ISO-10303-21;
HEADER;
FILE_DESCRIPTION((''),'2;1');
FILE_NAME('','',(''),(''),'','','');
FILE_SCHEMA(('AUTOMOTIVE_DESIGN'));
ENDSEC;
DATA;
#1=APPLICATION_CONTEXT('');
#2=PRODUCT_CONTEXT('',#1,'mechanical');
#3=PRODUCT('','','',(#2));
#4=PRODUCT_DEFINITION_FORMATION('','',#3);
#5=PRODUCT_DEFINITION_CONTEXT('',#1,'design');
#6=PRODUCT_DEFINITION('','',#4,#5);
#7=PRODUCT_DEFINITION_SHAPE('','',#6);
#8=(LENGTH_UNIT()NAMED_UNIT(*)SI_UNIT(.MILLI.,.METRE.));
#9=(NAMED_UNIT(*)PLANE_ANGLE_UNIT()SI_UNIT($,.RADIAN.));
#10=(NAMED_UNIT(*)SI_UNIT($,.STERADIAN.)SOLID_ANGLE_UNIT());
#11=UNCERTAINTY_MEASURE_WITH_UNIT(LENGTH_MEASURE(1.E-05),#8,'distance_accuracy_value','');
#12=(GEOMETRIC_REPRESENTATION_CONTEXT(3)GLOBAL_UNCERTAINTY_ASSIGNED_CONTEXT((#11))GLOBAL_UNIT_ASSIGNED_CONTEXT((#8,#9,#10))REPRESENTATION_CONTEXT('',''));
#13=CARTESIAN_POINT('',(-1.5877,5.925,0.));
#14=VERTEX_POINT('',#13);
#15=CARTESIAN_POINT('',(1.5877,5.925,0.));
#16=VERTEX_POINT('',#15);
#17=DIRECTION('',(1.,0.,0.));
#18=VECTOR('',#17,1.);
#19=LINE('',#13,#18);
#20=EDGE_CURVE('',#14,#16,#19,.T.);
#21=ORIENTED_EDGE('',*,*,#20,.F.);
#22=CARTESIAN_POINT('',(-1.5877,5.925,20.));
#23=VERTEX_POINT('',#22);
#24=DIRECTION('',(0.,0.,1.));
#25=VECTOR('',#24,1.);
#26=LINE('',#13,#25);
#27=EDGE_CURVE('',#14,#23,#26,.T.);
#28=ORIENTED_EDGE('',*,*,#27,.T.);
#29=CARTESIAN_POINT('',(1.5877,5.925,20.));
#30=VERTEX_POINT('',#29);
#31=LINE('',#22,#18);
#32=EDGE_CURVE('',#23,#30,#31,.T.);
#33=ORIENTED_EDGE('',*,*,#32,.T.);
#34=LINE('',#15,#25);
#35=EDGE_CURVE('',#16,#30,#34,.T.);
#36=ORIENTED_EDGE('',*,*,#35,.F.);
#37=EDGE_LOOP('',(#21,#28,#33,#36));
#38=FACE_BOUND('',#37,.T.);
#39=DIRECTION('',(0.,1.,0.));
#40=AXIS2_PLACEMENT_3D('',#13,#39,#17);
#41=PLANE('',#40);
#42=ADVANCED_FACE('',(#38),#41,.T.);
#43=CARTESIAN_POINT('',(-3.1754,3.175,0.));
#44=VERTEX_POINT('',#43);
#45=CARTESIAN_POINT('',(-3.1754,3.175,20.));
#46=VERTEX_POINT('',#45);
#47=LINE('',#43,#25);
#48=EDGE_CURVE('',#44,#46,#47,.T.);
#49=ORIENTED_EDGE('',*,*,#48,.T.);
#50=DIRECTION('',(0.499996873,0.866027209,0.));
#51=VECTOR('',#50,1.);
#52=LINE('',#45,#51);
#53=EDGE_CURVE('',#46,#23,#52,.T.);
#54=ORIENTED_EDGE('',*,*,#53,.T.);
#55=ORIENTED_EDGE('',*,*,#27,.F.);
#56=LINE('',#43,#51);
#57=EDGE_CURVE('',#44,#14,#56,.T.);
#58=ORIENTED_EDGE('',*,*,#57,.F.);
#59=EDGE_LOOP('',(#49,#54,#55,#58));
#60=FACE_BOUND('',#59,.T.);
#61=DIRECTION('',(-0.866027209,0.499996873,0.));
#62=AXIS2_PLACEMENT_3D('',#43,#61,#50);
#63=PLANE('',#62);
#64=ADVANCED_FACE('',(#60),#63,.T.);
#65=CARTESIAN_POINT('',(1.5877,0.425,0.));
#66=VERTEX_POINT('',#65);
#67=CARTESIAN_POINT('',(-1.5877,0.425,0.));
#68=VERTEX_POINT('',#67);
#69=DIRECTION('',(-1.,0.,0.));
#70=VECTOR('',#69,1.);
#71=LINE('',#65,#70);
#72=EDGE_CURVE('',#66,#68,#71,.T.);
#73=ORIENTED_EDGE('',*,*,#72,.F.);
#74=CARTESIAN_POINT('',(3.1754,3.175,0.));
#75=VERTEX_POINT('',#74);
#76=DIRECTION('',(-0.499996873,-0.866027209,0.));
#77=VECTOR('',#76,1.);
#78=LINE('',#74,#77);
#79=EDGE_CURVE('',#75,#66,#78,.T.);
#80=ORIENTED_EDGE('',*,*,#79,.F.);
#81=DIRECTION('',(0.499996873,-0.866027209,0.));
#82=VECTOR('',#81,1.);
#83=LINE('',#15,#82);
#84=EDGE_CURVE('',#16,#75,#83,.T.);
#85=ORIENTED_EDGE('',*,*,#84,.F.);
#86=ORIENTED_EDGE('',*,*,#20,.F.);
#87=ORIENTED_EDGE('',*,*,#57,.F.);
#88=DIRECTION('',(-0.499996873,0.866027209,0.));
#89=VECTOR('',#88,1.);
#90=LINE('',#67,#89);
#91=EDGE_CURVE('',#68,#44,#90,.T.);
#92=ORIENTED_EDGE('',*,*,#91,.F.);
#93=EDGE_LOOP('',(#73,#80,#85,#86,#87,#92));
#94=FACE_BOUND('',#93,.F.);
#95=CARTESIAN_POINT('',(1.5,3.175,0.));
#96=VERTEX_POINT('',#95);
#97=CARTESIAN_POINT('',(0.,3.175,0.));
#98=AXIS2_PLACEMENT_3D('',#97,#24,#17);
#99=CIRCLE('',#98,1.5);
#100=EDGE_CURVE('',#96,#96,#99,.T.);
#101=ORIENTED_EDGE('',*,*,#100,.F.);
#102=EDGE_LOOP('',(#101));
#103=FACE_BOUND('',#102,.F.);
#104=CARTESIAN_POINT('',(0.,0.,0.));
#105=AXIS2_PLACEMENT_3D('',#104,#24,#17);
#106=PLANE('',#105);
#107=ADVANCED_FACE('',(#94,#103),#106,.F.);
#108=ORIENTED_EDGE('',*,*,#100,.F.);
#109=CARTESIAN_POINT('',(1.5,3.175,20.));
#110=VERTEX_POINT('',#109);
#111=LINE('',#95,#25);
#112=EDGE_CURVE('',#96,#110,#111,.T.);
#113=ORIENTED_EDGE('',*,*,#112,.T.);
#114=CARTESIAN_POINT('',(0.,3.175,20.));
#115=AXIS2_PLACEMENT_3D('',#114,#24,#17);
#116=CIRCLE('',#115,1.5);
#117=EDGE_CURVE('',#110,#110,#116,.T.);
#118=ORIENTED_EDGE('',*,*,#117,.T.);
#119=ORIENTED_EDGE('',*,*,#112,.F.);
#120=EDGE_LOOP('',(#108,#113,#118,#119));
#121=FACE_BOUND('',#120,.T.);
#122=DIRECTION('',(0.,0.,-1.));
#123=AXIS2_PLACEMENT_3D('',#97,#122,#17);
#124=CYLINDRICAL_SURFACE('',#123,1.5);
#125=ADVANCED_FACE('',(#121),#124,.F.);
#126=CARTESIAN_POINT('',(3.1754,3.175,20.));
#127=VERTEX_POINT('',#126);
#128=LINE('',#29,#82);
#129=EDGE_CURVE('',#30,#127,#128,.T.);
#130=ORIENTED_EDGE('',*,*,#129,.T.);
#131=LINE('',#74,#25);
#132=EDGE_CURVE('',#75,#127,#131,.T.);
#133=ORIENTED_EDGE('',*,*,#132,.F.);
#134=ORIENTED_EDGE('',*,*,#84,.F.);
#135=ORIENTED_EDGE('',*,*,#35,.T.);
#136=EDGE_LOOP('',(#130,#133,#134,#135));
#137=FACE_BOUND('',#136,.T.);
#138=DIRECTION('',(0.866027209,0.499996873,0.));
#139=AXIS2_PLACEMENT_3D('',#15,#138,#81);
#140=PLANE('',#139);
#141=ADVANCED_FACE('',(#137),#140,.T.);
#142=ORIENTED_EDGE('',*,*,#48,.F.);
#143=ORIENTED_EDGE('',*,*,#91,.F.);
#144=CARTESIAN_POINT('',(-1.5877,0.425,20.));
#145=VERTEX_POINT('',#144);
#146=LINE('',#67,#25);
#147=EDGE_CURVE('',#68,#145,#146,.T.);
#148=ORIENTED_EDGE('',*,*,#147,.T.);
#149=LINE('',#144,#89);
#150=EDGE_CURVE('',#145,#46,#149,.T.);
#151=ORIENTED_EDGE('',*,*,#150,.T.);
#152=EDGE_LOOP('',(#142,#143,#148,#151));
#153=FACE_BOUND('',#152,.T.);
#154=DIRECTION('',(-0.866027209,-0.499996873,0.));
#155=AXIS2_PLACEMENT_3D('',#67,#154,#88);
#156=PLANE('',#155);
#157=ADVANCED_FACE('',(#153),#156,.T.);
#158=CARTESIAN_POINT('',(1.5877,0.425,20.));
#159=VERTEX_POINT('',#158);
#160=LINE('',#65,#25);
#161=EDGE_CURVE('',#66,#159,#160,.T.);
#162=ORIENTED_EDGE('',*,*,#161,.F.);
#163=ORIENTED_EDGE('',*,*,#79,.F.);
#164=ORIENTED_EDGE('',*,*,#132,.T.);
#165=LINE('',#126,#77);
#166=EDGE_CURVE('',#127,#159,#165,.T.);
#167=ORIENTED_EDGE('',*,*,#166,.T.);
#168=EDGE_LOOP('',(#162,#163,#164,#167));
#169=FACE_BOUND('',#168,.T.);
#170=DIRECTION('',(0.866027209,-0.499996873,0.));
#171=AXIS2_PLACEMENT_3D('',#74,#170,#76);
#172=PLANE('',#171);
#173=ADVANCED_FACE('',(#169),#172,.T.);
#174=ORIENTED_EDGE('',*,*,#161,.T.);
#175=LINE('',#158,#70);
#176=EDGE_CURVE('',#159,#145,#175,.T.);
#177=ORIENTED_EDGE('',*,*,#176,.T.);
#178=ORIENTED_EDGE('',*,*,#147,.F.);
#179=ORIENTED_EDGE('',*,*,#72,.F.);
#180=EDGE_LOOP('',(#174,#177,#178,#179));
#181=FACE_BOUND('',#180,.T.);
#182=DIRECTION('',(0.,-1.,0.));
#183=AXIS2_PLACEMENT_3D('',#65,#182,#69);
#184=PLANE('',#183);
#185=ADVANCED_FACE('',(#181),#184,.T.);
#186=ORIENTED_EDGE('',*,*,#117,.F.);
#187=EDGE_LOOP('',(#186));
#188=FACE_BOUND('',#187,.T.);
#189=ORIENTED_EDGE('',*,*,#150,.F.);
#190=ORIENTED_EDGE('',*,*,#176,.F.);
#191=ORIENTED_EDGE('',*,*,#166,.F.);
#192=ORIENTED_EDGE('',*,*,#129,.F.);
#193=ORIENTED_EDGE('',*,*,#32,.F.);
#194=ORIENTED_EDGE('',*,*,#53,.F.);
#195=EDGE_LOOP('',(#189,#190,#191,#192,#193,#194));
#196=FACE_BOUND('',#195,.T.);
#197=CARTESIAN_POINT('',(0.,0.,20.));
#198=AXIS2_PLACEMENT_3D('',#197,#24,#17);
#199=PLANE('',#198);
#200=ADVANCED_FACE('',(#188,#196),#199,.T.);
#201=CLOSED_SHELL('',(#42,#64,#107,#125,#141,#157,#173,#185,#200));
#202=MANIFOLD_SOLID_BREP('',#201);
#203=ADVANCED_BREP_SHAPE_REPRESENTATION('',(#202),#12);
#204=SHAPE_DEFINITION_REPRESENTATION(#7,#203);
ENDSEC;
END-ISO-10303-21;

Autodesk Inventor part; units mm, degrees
ref_plane "YZ Plane" through (0, 0, 0) normal (1, 0, 0) x (0, 1, 0)
ref_plane "XZ Plane" through (0, 0, 0) normal (0, 1, 0) x (-1, 0, 0)
ref_plane "XY Plane" through (0, 0, 0) normal (0, 0, 1) x (1, 0, 0)
sketch "Sketch1" plane through (0, 0, 0) normal (0, 0, 1) x (1, 0, 0)
  arc A0 (-3.175, 3.175) -> (0, 0) centre (0.0002, 3.1752) ccw construction
  line L0 (44.45, 0) -> (0, 0) construction
  arc A1 (44.45, 0) -> (47.625, 3.175) centre (44.4498, 3.1752) ccw construction
  line L1 (47.625, 79.375) -> (47.625, 3.175) construction
  arc A2 (47.625, 79.375) -> (44.45, 82.55) centre (44.4498, 79.3748) ccw construction
  line L2 (0, 82.55) -> (44.45, 82.55) construction
  arc A3 (0, 82.55) -> (-3.175, 79.375) centre (0.0002, 79.3748) ccw construction
  line L3 (-3.175, 3.175) -> (-3.175, 79.375) construction
  circle A4 centre (0, 3.175) radius 1.6 construction
  circle A5 centre (7.112, 4.191) radius 0.51 construction
  circle A6 centre (7.112, 9.271) radius 0.51 construction
  circle A7 centre (7.112, 6.731) radius 0.51 construction
  circle A8 centre (9.652, 6.731) radius 0.51 construction
  circle A9 centre (9.652, 4.191) radius 0.51 construction
  circle A10 centre (9.652, 9.271) radius 0.51 construction
  circle A11 centre (15.655, 10.499) radius 1.15 construction
  circle A12 centre (14.225, 36.449) radius 0.85 construction
  circle A13 centre (4.699, 60.198) radius 0.51 construction
  circle A14 centre (4.699, 57.658) radius 0.51 construction
  circle A15 centre (0, 79.375) radius 1.6 construction
  circle A16 centre (4.699, 62.738) radius 0.51 construction
  circle A17 centre (4.699, 65.278) radius 0.51 construction
  circle A18 centre (13.7, 69.341) radius 0.46 construction
  circle A19 centre (16.2, 69.341) radius 0.46 construction
  circle A20 centre (6.13, 72.051) radius 1.15 construction
  circle A21 centre (11.7, 69.341) radius 0.46 construction
  circle A22 centre (9.2, 69.341) radius 0.46 construction
  circle A23 centre (23.225, 13.209) radius 0.46 construction
  circle A24 centre (25.725, 13.209) radius 0.46 construction
  circle A25 centre (18.725, 13.209) radius 0.46 construction
  circle A26 centre (21.225, 13.209) radius 0.46 construction
  circle A27 centre (28.795, 10.499) radius 1.15 construction
  circle A28 centre (44.45, 3.175) radius 1.6 construction
  circle A29 centre (30.225, 36.449) radius 0.85 construction
  circle A30 centre (39.751, 57.531) radius 0.51 construction
  circle A31 centre (39.751, 60.071) radius 0.51 construction
  circle A32 centre (31.385, 69.341) radius 0.46 construction
  circle A33 centre (33.385, 69.341) radius 0.46 construction
  circle A34 centre (19.27, 72.051) radius 1.15 construction
  circle A35 centre (28.885, 69.341) radius 0.46 construction
  circle A36 centre (25.815, 72.051) radius 1.15 construction
  circle A37 centre (39.751, 65.151) radius 0.51 construction
  circle A38 centre (39.751, 62.611) radius 0.51 construction
  circle A39 centre (35.885, 69.341) radius 0.46 construction
  circle A40 centre (38.955, 72.051) radius 1.15 construction
  circle A41 centre (44.45, 79.375) radius 1.6 construction
  circle A42 centre (0, 3.175) radius 1.5
  circle A43 centre (0, 3.175) radius 2.75 construction
  line L4 (1.5877, 0.425) -> (-1.5877, 0.425)
  line L5 (-1.5877, 0.425) -> (-3.1754, 3.175)
  line L6 (-3.1754, 3.175) -> (-1.5877, 5.925)
  line L7 (-1.5877, 5.925) -> (1.5877, 5.925)
  line L8 (1.5877, 5.925) -> (3.1754, 3.175)
  line L9 (3.1754, 3.175) -> (1.5877, 0.425)
  dimension "d0" = 3
  dimension "d1" = 5.5
extrude "Extrusion1" add sketch "Sketch1" along normal blind 20
properties part number "Standoff"
